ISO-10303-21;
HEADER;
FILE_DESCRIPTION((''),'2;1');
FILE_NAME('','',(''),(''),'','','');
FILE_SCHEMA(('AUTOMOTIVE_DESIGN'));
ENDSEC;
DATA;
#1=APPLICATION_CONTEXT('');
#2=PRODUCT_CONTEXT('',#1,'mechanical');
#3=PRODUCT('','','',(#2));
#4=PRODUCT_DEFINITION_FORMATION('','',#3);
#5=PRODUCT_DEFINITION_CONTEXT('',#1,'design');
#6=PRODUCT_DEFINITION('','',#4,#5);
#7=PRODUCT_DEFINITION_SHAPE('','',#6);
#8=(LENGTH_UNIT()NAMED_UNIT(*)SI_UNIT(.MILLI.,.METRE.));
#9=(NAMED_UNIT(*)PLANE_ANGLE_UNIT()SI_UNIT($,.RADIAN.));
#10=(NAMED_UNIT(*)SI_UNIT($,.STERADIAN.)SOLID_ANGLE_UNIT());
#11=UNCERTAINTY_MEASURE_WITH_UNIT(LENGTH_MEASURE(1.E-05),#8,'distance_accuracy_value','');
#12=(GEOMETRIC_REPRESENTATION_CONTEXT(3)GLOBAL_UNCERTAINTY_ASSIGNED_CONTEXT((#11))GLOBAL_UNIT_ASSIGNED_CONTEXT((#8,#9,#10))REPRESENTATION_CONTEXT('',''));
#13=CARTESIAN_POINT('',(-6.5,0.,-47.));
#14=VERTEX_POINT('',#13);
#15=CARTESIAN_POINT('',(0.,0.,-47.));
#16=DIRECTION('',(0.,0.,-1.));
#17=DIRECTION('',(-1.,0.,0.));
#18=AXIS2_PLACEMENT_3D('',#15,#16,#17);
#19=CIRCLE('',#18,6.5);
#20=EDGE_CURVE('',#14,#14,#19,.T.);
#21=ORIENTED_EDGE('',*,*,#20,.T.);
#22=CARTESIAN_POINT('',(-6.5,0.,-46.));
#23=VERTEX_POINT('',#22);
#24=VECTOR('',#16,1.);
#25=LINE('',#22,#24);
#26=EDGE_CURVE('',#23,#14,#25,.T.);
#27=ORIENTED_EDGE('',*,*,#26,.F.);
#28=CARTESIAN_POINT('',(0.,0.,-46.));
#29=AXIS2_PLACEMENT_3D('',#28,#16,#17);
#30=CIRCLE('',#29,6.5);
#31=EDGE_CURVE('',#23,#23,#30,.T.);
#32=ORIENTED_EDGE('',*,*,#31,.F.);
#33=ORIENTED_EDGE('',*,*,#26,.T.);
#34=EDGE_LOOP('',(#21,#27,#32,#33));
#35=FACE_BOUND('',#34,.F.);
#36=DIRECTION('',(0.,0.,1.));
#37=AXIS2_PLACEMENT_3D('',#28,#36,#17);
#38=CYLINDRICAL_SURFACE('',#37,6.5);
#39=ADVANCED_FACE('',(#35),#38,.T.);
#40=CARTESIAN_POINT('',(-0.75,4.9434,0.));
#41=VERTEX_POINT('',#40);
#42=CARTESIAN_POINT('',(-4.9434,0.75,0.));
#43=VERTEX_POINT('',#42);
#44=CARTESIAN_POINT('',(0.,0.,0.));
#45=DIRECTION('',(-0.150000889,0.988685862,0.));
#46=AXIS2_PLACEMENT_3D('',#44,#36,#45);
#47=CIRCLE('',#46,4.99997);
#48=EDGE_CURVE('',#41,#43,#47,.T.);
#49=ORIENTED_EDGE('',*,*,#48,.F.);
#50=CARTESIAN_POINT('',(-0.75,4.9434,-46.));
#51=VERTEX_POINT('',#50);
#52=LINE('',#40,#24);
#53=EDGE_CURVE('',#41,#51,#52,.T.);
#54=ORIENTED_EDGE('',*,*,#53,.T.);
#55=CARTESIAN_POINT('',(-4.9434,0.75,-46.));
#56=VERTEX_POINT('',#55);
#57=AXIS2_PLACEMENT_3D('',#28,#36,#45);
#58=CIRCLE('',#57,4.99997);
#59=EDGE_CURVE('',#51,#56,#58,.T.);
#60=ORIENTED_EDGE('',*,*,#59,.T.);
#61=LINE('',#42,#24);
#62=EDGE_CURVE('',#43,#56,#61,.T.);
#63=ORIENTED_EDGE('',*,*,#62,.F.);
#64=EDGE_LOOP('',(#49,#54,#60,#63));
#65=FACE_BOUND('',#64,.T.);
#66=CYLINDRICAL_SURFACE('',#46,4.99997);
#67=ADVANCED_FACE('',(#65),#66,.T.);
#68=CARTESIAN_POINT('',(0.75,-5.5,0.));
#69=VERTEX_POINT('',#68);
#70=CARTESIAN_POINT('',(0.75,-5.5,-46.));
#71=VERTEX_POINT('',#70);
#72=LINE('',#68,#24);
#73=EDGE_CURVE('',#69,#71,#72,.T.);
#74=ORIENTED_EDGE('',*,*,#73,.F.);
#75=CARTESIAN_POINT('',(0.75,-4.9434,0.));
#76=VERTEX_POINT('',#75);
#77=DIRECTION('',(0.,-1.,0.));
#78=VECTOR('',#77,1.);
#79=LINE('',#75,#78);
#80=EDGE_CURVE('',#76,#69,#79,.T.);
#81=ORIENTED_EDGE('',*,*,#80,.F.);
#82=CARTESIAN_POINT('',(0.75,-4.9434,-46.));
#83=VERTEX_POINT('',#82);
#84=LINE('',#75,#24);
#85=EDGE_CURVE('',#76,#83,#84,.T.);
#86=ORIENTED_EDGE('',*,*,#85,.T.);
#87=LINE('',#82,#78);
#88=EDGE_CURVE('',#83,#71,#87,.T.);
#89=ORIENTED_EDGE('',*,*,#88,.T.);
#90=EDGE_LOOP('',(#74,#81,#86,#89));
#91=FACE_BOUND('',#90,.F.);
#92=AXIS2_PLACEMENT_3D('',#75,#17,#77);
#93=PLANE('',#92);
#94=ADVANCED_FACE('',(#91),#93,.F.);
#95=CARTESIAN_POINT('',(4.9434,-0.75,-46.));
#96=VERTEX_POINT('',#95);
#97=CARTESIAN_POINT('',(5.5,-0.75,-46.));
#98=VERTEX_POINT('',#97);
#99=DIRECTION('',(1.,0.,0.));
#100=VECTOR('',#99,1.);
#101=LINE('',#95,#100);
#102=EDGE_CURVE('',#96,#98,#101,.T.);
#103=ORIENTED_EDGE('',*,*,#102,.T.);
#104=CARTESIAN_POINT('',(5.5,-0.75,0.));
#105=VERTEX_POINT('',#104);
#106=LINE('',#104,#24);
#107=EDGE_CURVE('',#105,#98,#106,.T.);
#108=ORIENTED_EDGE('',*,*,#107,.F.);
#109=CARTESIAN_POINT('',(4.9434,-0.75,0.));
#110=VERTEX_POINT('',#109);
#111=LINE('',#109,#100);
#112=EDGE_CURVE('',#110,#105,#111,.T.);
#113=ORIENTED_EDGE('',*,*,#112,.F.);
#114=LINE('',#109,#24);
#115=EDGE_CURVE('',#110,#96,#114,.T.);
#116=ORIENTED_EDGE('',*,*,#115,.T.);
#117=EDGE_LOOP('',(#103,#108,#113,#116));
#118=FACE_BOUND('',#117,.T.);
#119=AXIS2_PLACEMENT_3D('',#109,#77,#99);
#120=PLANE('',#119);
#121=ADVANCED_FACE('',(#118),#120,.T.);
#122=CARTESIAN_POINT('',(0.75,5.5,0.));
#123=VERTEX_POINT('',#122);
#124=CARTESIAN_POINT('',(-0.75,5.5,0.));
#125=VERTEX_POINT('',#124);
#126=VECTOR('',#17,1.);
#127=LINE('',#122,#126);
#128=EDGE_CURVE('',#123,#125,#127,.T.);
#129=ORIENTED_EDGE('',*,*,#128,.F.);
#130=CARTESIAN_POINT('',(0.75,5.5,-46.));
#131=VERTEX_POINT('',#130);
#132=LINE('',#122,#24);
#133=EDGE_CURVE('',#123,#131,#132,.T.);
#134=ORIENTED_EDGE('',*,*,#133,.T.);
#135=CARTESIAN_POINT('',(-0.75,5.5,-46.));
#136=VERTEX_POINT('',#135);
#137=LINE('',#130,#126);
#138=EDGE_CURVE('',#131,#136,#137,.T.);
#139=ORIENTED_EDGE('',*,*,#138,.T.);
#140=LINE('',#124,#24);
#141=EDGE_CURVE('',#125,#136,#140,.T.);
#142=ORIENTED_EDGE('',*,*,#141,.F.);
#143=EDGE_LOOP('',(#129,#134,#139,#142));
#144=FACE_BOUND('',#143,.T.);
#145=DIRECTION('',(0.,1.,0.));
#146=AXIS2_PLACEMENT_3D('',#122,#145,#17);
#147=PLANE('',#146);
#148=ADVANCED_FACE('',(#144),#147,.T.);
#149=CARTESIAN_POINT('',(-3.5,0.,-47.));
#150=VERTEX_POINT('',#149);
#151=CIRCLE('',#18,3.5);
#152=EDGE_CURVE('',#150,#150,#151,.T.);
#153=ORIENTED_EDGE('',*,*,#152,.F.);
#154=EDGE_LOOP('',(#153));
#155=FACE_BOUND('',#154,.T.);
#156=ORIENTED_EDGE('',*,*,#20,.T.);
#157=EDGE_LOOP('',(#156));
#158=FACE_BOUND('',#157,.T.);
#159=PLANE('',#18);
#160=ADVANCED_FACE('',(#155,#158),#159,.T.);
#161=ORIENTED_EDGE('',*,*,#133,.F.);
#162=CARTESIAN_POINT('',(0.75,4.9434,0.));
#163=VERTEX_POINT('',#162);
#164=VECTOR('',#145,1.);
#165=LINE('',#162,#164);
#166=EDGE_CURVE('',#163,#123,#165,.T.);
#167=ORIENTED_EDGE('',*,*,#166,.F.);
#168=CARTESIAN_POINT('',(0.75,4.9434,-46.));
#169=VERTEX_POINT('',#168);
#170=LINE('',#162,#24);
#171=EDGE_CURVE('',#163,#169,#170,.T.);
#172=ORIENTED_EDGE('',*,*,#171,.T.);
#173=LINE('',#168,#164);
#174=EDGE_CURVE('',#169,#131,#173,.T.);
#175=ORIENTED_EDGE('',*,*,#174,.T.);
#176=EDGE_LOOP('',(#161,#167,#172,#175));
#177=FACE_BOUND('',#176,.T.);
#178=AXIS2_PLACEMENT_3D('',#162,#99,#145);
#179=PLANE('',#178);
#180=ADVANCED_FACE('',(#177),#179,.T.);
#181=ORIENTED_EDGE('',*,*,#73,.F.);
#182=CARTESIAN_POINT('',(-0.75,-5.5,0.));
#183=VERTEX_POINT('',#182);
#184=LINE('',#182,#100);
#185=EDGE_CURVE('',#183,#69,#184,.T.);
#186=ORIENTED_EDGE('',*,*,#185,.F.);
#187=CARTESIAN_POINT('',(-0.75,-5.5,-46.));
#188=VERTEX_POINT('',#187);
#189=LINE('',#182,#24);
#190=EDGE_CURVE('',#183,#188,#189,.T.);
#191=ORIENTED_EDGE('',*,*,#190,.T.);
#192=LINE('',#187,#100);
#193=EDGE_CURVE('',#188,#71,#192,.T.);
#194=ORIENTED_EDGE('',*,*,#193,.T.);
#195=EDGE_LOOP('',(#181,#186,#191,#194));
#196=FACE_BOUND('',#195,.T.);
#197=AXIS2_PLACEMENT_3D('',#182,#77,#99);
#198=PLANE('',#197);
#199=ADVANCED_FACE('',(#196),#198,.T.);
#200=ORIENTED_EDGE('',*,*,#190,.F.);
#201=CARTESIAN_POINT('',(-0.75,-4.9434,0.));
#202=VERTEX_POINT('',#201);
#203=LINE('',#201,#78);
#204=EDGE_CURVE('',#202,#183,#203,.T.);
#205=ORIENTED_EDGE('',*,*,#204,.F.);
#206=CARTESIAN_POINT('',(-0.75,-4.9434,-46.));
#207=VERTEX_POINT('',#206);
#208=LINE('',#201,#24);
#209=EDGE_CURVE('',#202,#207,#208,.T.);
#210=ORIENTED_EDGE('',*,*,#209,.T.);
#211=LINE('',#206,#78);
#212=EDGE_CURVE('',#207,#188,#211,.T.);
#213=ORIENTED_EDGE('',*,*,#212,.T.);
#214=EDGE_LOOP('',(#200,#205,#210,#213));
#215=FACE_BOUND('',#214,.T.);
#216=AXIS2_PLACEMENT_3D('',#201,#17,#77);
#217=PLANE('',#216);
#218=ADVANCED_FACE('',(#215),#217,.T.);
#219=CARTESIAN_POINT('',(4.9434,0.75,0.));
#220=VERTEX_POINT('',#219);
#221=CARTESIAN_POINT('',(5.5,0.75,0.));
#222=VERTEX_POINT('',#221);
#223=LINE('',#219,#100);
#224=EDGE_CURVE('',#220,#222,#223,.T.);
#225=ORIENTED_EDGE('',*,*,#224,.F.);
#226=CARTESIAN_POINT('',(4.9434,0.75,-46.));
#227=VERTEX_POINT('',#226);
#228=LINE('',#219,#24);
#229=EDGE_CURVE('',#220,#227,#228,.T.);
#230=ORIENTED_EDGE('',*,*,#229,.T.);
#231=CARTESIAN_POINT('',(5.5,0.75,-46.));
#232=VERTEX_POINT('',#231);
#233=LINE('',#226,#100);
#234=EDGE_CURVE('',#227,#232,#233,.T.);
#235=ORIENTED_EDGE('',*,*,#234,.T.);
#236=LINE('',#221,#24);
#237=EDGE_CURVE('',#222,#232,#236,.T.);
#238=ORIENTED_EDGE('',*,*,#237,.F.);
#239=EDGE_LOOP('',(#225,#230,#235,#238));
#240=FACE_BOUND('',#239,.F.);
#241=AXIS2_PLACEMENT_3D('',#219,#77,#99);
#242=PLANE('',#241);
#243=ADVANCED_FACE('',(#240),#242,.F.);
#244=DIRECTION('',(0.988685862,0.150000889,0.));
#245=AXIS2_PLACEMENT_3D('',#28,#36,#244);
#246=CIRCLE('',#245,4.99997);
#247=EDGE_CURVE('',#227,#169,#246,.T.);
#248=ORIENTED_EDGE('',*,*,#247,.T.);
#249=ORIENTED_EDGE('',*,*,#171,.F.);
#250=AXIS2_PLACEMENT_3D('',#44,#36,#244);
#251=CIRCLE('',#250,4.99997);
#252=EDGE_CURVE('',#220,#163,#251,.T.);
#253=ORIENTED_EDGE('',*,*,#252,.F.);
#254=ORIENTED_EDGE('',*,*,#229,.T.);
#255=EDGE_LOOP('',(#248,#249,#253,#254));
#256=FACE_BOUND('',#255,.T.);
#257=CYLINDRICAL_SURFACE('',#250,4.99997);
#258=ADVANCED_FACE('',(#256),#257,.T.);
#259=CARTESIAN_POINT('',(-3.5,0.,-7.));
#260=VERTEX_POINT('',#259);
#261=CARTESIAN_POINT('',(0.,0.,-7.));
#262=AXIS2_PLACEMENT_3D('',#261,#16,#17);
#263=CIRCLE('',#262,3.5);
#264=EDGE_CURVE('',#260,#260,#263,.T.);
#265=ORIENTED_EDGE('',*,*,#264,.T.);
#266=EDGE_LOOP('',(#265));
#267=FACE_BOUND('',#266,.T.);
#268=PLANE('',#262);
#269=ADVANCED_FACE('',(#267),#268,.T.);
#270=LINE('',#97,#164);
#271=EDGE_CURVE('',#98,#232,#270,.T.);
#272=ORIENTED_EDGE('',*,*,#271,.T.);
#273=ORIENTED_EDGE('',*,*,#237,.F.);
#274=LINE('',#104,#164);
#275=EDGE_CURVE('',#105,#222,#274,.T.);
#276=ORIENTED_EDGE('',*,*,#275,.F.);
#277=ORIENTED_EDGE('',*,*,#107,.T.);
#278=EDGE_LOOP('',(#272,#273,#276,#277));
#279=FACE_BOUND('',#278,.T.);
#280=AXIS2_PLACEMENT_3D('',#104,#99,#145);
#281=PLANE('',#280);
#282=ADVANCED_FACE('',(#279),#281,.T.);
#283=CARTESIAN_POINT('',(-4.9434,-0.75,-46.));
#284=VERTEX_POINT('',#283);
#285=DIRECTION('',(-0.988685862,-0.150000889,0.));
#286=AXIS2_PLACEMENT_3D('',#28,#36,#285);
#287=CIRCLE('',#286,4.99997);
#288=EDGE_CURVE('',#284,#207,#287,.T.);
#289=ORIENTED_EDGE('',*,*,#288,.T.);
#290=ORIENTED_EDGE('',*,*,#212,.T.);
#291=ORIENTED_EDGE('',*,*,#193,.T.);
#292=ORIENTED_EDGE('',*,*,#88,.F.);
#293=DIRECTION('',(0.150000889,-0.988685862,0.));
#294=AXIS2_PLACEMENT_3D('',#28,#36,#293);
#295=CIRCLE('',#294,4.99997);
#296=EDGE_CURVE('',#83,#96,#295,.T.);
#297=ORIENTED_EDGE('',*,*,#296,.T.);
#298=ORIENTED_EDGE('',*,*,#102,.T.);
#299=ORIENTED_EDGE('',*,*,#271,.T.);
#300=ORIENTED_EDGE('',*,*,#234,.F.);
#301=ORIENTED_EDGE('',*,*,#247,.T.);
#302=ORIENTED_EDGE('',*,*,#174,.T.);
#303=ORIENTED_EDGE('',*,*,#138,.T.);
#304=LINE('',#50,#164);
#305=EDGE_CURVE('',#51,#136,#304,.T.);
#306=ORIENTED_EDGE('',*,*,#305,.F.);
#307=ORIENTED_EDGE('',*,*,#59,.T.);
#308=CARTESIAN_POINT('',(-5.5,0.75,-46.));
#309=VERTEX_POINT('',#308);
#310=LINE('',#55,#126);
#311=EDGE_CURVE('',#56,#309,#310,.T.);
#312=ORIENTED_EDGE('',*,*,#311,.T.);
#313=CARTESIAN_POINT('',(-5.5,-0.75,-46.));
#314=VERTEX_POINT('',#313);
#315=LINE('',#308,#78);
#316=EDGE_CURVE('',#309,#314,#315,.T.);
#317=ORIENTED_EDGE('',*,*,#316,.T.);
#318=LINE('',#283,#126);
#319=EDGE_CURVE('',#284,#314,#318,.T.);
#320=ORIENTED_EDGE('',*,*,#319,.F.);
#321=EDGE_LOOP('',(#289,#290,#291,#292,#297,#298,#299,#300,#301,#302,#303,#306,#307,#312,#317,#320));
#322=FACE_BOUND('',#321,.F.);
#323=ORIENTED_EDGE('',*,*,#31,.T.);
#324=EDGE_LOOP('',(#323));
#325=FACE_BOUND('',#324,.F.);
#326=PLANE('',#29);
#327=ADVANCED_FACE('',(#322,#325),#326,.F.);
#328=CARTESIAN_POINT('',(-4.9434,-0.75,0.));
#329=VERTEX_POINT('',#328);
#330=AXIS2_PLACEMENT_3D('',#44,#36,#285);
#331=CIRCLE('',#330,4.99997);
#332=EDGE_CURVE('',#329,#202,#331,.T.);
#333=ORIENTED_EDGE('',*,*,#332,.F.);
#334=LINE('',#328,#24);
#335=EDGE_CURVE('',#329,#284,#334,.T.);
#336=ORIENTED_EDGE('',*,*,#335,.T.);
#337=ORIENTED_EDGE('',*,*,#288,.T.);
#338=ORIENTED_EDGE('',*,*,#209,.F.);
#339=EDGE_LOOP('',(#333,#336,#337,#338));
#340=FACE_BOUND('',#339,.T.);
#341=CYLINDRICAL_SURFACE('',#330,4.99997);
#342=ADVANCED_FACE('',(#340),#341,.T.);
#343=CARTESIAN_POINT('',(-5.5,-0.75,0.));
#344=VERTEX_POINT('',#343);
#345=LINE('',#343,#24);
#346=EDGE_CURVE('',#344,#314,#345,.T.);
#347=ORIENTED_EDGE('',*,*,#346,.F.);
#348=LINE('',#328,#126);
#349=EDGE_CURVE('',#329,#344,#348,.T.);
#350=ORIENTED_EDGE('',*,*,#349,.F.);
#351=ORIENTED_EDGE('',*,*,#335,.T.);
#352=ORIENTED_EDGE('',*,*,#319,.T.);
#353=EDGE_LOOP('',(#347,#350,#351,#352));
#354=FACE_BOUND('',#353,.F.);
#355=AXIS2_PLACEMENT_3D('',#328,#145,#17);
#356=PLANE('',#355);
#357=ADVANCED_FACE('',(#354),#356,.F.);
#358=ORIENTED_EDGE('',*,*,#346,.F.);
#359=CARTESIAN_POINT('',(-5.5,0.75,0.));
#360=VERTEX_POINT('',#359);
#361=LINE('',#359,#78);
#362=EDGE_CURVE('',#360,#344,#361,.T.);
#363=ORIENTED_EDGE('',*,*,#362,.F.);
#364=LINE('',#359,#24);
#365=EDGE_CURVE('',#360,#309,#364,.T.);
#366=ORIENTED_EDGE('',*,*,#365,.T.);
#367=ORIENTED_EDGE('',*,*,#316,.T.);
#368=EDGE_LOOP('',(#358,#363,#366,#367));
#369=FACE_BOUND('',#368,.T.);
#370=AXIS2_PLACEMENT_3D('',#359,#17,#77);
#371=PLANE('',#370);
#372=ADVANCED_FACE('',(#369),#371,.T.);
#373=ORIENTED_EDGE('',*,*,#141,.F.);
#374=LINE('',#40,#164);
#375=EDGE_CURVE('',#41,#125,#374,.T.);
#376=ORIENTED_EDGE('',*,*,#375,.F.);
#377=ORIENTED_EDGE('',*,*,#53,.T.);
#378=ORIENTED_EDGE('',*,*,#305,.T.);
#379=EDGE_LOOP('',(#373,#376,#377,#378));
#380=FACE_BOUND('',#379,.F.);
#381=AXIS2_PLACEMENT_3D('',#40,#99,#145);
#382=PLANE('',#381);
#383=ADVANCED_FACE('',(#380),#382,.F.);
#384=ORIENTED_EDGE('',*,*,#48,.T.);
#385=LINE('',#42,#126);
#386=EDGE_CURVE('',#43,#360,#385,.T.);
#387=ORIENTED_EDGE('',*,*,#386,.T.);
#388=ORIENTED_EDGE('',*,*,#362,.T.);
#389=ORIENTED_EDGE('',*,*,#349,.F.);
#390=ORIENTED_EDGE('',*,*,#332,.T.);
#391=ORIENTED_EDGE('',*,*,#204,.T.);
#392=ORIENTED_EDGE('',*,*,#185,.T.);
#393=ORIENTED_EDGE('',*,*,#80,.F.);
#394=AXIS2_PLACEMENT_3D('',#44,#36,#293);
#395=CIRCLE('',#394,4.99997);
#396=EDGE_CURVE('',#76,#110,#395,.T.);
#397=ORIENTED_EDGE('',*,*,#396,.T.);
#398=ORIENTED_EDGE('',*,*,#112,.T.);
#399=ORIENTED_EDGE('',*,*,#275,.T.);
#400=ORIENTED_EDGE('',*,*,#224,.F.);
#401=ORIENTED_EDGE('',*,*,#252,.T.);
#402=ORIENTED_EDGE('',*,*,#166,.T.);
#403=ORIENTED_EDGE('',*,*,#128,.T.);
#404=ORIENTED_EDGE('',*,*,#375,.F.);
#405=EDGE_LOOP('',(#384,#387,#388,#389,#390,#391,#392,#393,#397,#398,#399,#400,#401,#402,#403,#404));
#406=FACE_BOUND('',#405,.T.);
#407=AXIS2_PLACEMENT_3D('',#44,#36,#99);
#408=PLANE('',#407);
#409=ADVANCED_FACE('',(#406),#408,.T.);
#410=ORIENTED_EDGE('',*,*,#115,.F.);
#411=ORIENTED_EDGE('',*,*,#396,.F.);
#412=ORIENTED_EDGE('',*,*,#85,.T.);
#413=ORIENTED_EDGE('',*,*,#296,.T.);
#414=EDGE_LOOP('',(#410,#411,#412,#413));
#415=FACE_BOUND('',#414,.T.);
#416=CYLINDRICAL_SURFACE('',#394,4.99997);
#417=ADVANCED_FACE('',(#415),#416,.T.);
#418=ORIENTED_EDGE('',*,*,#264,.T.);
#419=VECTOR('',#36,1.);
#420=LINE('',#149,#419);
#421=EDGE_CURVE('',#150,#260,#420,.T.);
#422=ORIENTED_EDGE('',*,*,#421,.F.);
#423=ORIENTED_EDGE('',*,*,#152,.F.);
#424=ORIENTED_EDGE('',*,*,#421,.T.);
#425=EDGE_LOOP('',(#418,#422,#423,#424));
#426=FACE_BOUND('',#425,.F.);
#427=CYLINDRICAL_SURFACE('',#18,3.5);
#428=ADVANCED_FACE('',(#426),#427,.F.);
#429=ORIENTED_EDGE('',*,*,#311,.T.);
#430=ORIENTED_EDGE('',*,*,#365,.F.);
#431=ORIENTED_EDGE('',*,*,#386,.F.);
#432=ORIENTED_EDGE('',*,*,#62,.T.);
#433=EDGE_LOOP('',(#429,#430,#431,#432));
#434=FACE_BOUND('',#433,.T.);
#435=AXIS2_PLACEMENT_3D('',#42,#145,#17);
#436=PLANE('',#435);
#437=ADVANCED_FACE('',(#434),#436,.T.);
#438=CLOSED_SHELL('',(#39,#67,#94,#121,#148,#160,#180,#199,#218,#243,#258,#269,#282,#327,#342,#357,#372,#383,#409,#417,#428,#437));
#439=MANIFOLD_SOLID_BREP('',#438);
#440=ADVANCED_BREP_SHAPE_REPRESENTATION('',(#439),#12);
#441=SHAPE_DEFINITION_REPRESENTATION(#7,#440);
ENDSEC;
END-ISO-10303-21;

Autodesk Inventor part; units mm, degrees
ref_plane "YZ Plane" through (0, 0, 0) normal (1, 0, 0) x (0, 1, 0)
ref_plane "XZ Plane" through (0, 0, 0) normal (0, 1, 0) x (-1, 0, 0)
ref_plane "XY Plane" through (0, 0, 0) normal (0, 0, 1) x (1, 0, 0)
sketch "Boceto1" plane through (0, 0, 0) normal (0, 0, 1) x (1, 0, 0)
  line L0 (0, 12.1119) -> (0, -11.4197) construction
  line L1 (-11.1817, 0) -> (11.1817, 0) construction
  line L2 (4.9434, 0.75) -> (5.5, 0.75)
  line L3 (4.9434, -0.75) -> (5.5, -0.75)
  line L4 (5.5, -0.75) -> (5.5, 0.75)
  line L5 (-0.75, 4.9434) -> (-0.75, 5.5)
  line L6 (0.75, 5.5) -> (-0.75, 5.5)
  line L7 (0.75, 4.9434) -> (0.75, 5.5)
  line L8 (-4.9434, -0.75) -> (-5.5, -0.75)
  line L9 (-5.5, 0.75) -> (-5.5, -0.75)
  line L10 (-4.9434, 0.75) -> (-5.5, 0.75)
  line L11 (0.75, -4.9434) -> (0.75, -5.5)
  line L12 (-0.75, -5.5) -> (0.75, -5.5)
  line L13 (-0.75, -4.9434) -> (-0.75, -5.5)
  arc A0 (-0.75, 4.9434) -> (-4.9434, 0.75) centre (0, 0) ccw
  arc A1 (-4.9434, -0.75) -> (-0.75, -4.9434) centre (0, 0) ccw
  arc A2 (0.75, -4.9434) -> (4.9434, -0.75) centre (0, 0) ccw
  arc A3 (4.9434, 0.75) -> (0.75, 4.9434) centre (0, 0) ccw
  circle A4 centre (0, 0) radius 5 construction
  point P0 (5.5, 0)
  dimension "d3" = 0.75
  dimension "d4" = 1.5
  dimension "d5" = 360
  dimension "d7" = 0.5
  dimension "d8" = 5
  dimension "d43" = 10
extrude "Extrusión1" add sketch "Boceto1" against normal blind 46
sketch "Boceto3" plane through (0, 0, -46) normal (0, 0, -1) x (-1, 0, 0)
  circle A0 centre (0, 0) radius 6.5
  dimension "d49" = 13
extrude "Extrusión3" add sketch "Boceto3" along normal blind 1
sketch "Boceto2" plane through (0, 0, -47) normal (0, 0, -1) x (-1, 0, 0)
  circle A0 centre (0, 0) radius 3.5
  dimension "d46" = 7
extrude "Extrusión2" cut sketch "Boceto2" against normal blind 40
properties part number "HIN-61 BISAGRA (BUJE PLASTICO)" material "Plástico ABS"
